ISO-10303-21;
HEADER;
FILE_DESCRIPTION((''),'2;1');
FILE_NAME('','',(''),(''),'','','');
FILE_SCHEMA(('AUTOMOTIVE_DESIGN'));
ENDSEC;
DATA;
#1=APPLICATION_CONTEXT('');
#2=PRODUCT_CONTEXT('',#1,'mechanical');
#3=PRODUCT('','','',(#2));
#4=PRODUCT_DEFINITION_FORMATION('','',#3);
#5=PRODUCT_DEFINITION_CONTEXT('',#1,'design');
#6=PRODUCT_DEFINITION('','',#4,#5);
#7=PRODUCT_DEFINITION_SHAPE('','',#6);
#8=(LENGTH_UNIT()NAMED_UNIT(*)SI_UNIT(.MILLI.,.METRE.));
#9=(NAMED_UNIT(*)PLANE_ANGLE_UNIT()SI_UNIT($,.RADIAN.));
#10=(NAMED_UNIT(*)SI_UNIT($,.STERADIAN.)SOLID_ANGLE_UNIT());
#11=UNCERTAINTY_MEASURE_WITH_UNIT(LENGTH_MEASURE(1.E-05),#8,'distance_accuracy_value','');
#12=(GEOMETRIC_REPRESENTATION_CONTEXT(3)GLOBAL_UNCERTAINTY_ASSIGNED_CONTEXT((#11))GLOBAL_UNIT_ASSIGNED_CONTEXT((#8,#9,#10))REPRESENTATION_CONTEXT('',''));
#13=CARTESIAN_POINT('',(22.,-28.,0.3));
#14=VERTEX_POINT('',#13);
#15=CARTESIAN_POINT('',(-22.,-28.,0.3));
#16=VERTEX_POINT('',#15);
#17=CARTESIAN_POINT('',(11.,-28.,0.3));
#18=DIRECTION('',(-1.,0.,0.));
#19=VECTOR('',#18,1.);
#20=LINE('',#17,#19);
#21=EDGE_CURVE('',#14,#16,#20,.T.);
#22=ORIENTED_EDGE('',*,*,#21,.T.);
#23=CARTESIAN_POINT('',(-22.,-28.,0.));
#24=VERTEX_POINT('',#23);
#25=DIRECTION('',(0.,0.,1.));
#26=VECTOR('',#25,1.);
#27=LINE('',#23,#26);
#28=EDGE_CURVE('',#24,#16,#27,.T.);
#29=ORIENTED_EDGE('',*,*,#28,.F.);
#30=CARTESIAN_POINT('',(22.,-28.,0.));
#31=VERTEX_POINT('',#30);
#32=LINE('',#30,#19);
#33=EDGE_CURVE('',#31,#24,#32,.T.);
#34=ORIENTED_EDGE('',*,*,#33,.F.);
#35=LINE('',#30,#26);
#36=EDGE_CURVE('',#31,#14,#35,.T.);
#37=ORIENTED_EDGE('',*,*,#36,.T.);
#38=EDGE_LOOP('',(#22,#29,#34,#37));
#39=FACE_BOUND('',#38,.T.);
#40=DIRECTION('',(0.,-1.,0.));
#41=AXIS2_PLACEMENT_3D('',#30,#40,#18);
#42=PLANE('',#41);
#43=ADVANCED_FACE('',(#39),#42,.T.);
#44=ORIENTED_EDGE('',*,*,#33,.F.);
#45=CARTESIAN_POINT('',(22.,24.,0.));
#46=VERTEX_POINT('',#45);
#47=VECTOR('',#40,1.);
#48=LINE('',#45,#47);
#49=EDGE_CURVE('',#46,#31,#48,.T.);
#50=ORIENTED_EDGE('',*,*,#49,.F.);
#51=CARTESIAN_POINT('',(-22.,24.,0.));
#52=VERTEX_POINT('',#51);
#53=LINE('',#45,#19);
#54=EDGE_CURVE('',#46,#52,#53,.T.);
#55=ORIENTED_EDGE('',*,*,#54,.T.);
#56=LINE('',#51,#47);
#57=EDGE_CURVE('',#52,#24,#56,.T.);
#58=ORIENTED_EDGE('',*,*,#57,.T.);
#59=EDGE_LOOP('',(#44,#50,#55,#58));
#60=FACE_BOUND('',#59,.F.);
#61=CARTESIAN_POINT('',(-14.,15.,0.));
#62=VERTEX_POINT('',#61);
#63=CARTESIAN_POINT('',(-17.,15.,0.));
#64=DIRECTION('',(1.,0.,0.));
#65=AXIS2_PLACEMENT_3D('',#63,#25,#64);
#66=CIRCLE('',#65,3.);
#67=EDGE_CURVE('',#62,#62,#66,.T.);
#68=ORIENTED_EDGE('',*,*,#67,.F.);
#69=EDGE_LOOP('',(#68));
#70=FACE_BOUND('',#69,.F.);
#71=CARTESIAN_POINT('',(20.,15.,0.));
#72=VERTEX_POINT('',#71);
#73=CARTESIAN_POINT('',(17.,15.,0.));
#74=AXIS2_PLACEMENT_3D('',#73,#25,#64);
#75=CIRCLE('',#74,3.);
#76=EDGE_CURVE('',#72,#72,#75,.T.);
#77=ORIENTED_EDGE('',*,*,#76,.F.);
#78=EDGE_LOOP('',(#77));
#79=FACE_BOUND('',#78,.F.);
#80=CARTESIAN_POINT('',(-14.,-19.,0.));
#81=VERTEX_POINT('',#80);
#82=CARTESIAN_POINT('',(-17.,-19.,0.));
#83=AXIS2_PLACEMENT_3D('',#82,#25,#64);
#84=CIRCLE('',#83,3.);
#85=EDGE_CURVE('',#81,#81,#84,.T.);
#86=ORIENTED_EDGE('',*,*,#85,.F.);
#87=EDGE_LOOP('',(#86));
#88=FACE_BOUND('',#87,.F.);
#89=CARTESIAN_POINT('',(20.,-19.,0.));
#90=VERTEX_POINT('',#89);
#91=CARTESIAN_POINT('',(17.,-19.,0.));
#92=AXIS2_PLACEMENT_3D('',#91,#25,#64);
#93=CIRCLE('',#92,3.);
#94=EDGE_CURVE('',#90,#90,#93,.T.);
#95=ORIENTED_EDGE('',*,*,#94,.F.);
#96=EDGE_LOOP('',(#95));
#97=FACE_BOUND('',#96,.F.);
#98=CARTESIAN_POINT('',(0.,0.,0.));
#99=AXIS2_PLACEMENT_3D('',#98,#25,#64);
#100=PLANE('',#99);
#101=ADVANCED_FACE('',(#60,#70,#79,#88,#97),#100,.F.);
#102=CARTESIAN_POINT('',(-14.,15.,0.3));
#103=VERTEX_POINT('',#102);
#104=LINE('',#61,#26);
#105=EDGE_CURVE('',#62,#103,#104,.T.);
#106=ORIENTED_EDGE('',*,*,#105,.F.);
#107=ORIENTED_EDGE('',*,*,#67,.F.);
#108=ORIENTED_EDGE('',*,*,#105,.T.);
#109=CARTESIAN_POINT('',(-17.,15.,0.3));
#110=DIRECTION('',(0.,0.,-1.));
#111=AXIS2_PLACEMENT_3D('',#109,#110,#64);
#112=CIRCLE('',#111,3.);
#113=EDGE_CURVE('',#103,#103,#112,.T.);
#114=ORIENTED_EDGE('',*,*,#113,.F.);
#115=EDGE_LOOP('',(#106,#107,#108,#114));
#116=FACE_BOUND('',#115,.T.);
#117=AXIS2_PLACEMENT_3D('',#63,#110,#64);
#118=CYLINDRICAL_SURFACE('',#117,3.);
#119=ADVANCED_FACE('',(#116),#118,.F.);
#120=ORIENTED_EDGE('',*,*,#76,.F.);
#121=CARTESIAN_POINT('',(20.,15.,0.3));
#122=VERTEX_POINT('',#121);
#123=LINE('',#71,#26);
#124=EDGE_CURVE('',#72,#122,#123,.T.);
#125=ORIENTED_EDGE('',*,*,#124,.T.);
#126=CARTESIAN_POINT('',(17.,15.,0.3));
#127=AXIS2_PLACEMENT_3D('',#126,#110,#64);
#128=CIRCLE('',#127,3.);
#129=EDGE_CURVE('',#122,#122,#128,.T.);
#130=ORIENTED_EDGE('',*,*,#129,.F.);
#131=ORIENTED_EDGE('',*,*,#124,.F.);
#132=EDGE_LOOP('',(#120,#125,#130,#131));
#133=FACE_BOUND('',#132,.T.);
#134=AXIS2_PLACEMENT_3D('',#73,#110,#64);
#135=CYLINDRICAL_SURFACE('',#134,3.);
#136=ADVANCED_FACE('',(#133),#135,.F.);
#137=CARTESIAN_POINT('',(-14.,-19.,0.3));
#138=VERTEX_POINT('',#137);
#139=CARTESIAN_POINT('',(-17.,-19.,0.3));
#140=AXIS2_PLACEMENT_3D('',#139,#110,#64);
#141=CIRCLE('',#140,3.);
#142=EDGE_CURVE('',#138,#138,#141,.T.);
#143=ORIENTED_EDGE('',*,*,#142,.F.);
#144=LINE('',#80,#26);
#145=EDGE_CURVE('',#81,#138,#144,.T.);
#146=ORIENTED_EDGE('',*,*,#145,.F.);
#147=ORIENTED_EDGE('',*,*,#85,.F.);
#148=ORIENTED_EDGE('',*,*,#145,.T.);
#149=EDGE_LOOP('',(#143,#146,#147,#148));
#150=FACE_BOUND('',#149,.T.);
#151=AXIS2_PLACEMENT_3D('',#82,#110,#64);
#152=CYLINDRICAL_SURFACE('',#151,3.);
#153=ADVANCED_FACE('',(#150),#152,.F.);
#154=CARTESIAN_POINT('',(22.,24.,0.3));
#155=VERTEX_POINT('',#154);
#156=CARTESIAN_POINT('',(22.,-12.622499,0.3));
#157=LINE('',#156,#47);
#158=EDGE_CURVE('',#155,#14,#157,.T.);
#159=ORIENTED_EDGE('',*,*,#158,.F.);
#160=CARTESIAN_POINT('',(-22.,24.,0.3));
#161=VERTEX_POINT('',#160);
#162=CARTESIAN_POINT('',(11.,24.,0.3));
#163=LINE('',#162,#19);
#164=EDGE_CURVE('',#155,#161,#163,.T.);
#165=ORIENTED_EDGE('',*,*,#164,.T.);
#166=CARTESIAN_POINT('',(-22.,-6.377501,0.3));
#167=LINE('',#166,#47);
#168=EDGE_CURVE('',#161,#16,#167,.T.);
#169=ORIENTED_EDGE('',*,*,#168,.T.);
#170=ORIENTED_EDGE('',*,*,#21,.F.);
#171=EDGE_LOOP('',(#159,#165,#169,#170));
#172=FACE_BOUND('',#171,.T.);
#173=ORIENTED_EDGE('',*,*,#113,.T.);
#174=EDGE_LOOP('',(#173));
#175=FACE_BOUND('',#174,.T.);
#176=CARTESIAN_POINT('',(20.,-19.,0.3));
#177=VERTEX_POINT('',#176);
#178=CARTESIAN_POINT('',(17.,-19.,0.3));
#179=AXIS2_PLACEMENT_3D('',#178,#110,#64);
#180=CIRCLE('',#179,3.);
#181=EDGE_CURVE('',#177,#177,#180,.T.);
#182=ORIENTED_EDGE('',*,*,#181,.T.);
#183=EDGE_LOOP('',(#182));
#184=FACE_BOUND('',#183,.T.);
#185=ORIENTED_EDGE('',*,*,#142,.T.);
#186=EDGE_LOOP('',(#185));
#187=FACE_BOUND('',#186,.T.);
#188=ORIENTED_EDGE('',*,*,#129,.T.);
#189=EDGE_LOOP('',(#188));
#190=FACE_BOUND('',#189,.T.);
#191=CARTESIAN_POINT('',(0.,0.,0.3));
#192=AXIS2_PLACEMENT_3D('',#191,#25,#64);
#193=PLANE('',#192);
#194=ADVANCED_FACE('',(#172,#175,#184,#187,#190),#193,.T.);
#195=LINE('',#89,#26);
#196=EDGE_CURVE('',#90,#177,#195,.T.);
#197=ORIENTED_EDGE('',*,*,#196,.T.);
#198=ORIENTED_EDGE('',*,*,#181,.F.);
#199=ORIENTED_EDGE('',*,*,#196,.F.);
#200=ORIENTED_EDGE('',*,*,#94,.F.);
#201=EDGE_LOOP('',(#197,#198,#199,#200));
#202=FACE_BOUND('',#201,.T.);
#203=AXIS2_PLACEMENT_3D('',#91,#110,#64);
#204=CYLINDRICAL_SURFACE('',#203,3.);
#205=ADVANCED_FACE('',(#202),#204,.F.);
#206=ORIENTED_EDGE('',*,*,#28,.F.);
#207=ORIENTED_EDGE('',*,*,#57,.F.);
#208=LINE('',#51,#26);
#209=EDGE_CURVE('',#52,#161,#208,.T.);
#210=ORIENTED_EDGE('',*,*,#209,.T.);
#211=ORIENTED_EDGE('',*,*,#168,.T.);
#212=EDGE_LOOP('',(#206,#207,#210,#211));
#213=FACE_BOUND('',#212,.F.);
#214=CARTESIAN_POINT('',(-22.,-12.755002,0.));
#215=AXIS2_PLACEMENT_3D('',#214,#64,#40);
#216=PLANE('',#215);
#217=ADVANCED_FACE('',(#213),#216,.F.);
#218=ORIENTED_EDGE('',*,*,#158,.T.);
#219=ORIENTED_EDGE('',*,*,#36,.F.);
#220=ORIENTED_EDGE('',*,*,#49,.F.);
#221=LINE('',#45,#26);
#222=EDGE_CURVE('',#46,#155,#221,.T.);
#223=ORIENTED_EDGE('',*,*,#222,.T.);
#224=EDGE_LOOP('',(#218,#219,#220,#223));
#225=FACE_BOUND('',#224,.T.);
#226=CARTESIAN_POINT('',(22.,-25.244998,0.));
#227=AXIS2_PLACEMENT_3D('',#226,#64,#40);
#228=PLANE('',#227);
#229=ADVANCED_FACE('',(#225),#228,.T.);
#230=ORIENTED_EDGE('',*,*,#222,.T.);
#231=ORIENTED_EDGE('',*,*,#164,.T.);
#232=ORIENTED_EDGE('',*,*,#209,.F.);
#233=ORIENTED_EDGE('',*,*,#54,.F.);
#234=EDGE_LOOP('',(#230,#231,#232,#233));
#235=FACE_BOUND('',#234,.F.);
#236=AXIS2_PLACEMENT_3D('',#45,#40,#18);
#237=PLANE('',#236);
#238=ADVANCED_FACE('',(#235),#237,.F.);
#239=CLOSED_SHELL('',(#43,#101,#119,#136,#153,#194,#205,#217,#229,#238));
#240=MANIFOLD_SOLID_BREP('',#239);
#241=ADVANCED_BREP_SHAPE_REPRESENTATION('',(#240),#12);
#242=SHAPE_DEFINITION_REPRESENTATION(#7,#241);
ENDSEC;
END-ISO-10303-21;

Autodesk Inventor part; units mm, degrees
ref_plane "YZ Plane" through (0, 0, 0) normal (1, 0, 0) x (0, 1, 0)
ref_plane "XZ Plane" through (0, 0, 0) normal (0, 1, 0) x (-1, 0, 0)
ref_plane "XY Plane" through (0, 0, 0) normal (0, 0, 1) x (1, 0, 0)
sketch "スケッチ1" plane through (0, 0, 0) normal (0, 0, 1) x (1, 0, 0)
  line L0 (-22, -24) -> (22, -24)
  line L1 (22, -24) -> (22, 24)
  line L2 (22, 24) -> (-22, 24)
  line L3 (-22, 24) -> (-22, -24)
  line L4 (-22, -24) -> (22, 24) construction
  line L5 (22, -24) -> (-22, 24) construction
  line L6 (-17, 15) -> (17, 15)
  line L7 (17, 15) -> (17, -19)
  line L8 (17, -19) -> (-17, -19)
  line L9 (-17, -19) -> (-17, 15)
  circle A0 centre (-17, 15) radius 3
  circle A1 centre (17, 15) radius 3
  circle A2 centre (17, -19) radius 3
  circle A3 centre (-17, -19) radius 3
  circle A4 centre (-17, 15) radius 8
  circle A5 centre (17, 15) radius 8
  circle A6 centre (17, -19) radius 8
  circle A7 centre (-17, -19) radius 8
  line L10 (-22, -24) -> (22, -24)
  line L11 (22, -24) -> (22, -28)
  line L12 (22, -28) -> (-22, -28)
  line L13 (-22, -28) -> (-22, -24)
  line L14 (-2.5, 15) -> (2.5, 15)
  line L15 (2.5, 15) -> (2.5, -19)
  line L16 (2.5, -19) -> (-2.5, -19)
  line L17 (-2.5, -19) -> (-2.5, 15)
  line L18 (10.5, 15) -> (10.5, -19)
  line L19 (5.5, -19) -> (5.5, 15)
  line L20 (18.5, 15) -> (18.5, -19)
  line L21 (13.5, -19) -> (13.5, 15)
  line L22 (-5.5, 15) -> (-5.5, -19)
  line L23 (-10.5, -19) -> (-10.5, 15)
  line L24 (2.5, 15) -> (2.5, -19)
  line L25 (-2.5, -19) -> (-2.5, 15)
  line L26 (10.5, 15) -> (10.5, -19)
  line L27 (5.5, -19) -> (5.5, 15)
  line L28 (-13.5, 15) -> (-13.5, -19)
  line L29 (-18.5, -19) -> (-18.5, 15)
  line L30 (-5.5, 15) -> (-5.5, -19)
  line L31 (-10.5, -19) -> (-10.5, 15)
  line L32 (2.5, 15) -> (2.5, -19)
  line L33 (-2.5, -19) -> (-2.5, 15)
  point P0 (0, 0)
  point P1 (-9, 15)
  point P2 (9, 15)
  point P3 (17, 7)
  point P4 (17, -11)
  point P5 (9, -19)
  point P6 (-9, -19)
  point P7 (-17, -11)
  point P8 (-17, 7)
  point P9 (22, -24)
  point P10 (0, 15)
  point P11 (-18.5, 7.1419)
  point P12 (-18.5, -11.1419)
  point P13 (-13.5, -11.8063)
  point P14 (-13.5, 7.8063)
  point P15 (-10.5, 15)
  point P16 (-10.5, -19)
  point P17 (-5.5, -19)
  point P18 (-5.5, 15)
  point P19 (13.5, 7.8063)
  point P20 (13.5, -11.8063)
  point P21 (18.5, -11.1419)
  point P22 (18.5, 7.1419)
  point P23 (5.5, 15)
  point P24 (5.5, -19)
  point P25 (10.5, -19)
  point P26 (10.5, 15)
  point P27 (-2.5, -19)
  point P28 (2.5, 15)
  point P29 (-10.5, -14.3363)
  point P30 (-10.5, 10.3363)
  point P31 (10.5, 10.3363)
  point P32 (10.5, -14.3363)
  dimension "d0" = 48
  dimension "d1" = 44
  dimension "d2" = 34
  dimension "d3" = 5
  dimension "d4" = 5
  dimension "d5" = 6
  dimension "d6" = 16
  dimension "d11" = 4
  dimension "d12" = 5
  dimension "d15" = 8
  dimension "d18" = 8
extrude "プレート1" add sketch "スケッチ1" along normal blind 1.5 contours L3 A7 L29 A3 L8 L0 | L0 A7 L13 | A7 L8 A6 L0 | L0 A6 L11 L12 L13 A7 | L3 A4 L29 A7 | A6 L8 A2 L20 L1 L0 | L0 L11 A6 | L8 L23 A7 | L3 A4 L6 A0 L29 | A7 L9 A3 L29 | A6 L18 L8 | L22 L6 L17 L8 | L8 L28 A7 L23 | A7 L28 A4 L23 | L3 L2 L1 A5 L6 A4 | L29 A0 L9 A4 | A7 L28 L8 A3 L9 | A6 L20 A5 L1 | L18 A6 L21 L8 | L8 L15 L6 L19 | L18 A5 L21 A6 | L23 L6 A4 | A4 L28 L6 L23 | L9 A0 L6 L28 A4 | A5 L20 A1 L6 L1 | L20 A2 L7 A6 | L21 A6 L7 A2 L8 | L18 L6 L21 A5 | A5 L6 L18 | A5 L7 A1 L20 | L21 L6 A1 L7 A5
sketch "スケッチ2" plane through (0, 0, 1.5) normal (0, 0, 1) x (1, 0, 0)
  line L0 (11.5, -21.5) -> (11.5, -14.8) projected
  line L1 (11.5, -21.5) -> (12, -21.5) projected
  line L2 (12, -21.5) -> (12, -24) projected
  line L3 (18, -24) -> (14, -24) projected
  line L4 (18, -14) -> (18, -24) construction
  line L5 (12.3, -14) -> (18, -14) projected
  circle A0 centre (12.3, -14.8) radius 0.8
  circle A1 centre (14, -23.2) radius 0.8
  line L6 (0, 0) -> (0, -10)
  circle A2 centre (-12.3, -14.8) radius 0.8
  circle A3 centre (-14, -23.2) radius 0.8
  arc A4 (11.5, -14.8) -> (12.3, -14) centre (12.3, -14.8) ccw projected
  line L7 (14, -24) -> (12, -24) projected
  circle A5 centre (14, -23.2) radius 0.8 projected
  dimension "d21" = 1.6
  dimension "d22" = 1.6
  dimension "d25" = 2
extrude "切り取り1" cut sketch "スケッチ2" against normal blind 1.5
sketch "スケッチ3" plane through (0, 0, 1.5) normal (0, 0, 1) x (1, 0, 0)
  circle A0 centre (0, 19) radius 0.8
  circle A1 centre (-10, 19) radius 0.8
  circle A2 centre (10, 19) radius 0.8
  line L0 (-22, 24) -> (22, 24) projected
  point P0 (0, 0)
  point P1 (0, 24)
  dimension "d26" = 1.6
  dimension "d27" = 1.6
  dimension "d28" = 1.6
  dimension "d29" = 5
  dimension "d30" = 10
  dimension "d31" = 10
extrude "切り取り2" cut sketch "スケッチ3" against normal blind 1.5
sketch "スケッチ5" plane through (0, 0, 1.5) normal (0, 0, 1) x (1, 0, 0)
  line L0 (-32.0708, 30) -> (50, 30)
  line L1 (50, 30) -> (50, -40)
  line L2 (50, -40) -> (-32.0708, -40)
  line L3 (-32.0708, -40) -> (-32.0708, 30)
  point P0 (0, 0)
extrude "押し出し2" cut sketch "スケッチ5" against normal blind 1.2
sketch "スケッチ6" plane through (0, 0, 0.3) normal (0, 0, 1) x (1, 0, 0)
  circle A0 centre (-10, 19) radius 0.8 projected
  circle A1 centre (0, 19) radius 0.8 projected
  circle A2 centre (10, 19) radius 0.8 projected
  circle A3 centre (-12.3, -14.8) radius 0.8 projected
  circle A4 centre (12.3, -14.8) radius 0.8 projected
  circle A5 centre (14, -23.2) radius 0.8 projected
  circle A6 centre (-14, -23.2) radius 0.8 projected
  line L0 (13.5, 7.8063) -> (13.5, -11.8063) projected
  arc A7 (13.5, 7.8063) -> (18.5, 7.1419) centre (17, 15) ccw projected
  line L1 (18.5, -11.1419) -> (18.5, 7.1419) projected
  arc A8 (18.5, -11.1419) -> (13.5, -11.8063) centre (17, -19) ccw projected
  arc A9 (-13.5, -11.8063) -> (-18.5, -11.1419) centre (-17, -19) ccw projected
  line L2 (-18.5, 7.1419) -> (-18.5, -11.1419) projected
  arc A10 (-18.5, 7.1419) -> (-13.5, 7.8063) centre (-17, 15) ccw projected
  line L3 (-13.5, -11.8063) -> (-13.5, 7.8063) projected
  arc A11 (10.5, -14.3363) -> (9, -19) centre (17, -19) ccw projected
  line L4 (5.5, -19) -> (9, -19) projected
  line L5 (5.5, 15) -> (5.5, -19) projected
  line L6 (9, 15) -> (5.5, 15) projected
  arc A12 (9, 15) -> (10.5, 10.3363) centre (17, 15) ccw projected
  line L7 (10.5, -14.3363) -> (10.5, 10.3363) projected
  circle A13 centre (-17, 15) radius 3 projected
  circle A14 centre (-17, -19) radius 3 projected
  line L8 (-2.5, -19) -> (2.5, -19) projected
  line L9 (-2.5, 15) -> (-2.5, -19) projected
  line L10 (2.5, 15) -> (-2.5, 15) projected
  line L11 (2.5, -19) -> (2.5, 15) projected
  circle A15 centre (17, -19) radius 3 projected
  circle A16 centre (17, 15) radius 3 projected
  line L12 (-9, -19) -> (-5.5, -19) projected
  arc A17 (-9, -19) -> (-10.5, -14.3363) centre (-17, -19) ccw projected
  line L13 (-10.5, 10.3363) -> (-10.5, -14.3363) projected
  arc A18 (-10.5, 10.3363) -> (-9, 15) centre (-17, 15) ccw projected
  line L14 (-5.5, 15) -> (-9, 15) projected
  line L15 (-5.5, -19) -> (-5.5, 15) projected
  line L16 (-22, 24) -> (22, 24) projected
  line L17 (-22, -28) -> (-22, 24) projected
  line L18 (22, -28) -> (-22, -28) projected
  line L19 (22, 24) -> (22, -28) projected
  point P0 (0, 0)
extrude "押し出し3" add sketch "スケッチ6" against normal up to surface (0.3 mm away) contours A0 | A1 | A2 | A3 | A4 | A5 | A6 | A7 L1 A8 L0 | A9 L2 A10 L3 | A11 L4 L5 L6 A12 L7 | L9 L10 L11 L8 | A17 L13 A18 L14 L15 L12
equation "\"d4\" = d3"
equation "\"d23\" = Thickness"
equation "\"d32\" = Thickness"
equation "\"d10\" = Thickness"
equation "\"BendRadius\" = Thickness"
equation "\"BendReliefWidth\" = Thickness"
equation "\"BendReliefDepth\" = 0.5 * Thickness"
equation "\"CornerReliefSize\" = 4 * Thickness"
equation "\"MinimumRemnant\" = 2 * Thickness"
equation "\"TransitionRadius\" = BendRadius"
equation "\"JacobiRadiusSize\" = BendRadius"
equation "\"GapSize\" = Thickness"
equation "\"Thickness\" = 1.5"
properties part number "board_setter_safety"
